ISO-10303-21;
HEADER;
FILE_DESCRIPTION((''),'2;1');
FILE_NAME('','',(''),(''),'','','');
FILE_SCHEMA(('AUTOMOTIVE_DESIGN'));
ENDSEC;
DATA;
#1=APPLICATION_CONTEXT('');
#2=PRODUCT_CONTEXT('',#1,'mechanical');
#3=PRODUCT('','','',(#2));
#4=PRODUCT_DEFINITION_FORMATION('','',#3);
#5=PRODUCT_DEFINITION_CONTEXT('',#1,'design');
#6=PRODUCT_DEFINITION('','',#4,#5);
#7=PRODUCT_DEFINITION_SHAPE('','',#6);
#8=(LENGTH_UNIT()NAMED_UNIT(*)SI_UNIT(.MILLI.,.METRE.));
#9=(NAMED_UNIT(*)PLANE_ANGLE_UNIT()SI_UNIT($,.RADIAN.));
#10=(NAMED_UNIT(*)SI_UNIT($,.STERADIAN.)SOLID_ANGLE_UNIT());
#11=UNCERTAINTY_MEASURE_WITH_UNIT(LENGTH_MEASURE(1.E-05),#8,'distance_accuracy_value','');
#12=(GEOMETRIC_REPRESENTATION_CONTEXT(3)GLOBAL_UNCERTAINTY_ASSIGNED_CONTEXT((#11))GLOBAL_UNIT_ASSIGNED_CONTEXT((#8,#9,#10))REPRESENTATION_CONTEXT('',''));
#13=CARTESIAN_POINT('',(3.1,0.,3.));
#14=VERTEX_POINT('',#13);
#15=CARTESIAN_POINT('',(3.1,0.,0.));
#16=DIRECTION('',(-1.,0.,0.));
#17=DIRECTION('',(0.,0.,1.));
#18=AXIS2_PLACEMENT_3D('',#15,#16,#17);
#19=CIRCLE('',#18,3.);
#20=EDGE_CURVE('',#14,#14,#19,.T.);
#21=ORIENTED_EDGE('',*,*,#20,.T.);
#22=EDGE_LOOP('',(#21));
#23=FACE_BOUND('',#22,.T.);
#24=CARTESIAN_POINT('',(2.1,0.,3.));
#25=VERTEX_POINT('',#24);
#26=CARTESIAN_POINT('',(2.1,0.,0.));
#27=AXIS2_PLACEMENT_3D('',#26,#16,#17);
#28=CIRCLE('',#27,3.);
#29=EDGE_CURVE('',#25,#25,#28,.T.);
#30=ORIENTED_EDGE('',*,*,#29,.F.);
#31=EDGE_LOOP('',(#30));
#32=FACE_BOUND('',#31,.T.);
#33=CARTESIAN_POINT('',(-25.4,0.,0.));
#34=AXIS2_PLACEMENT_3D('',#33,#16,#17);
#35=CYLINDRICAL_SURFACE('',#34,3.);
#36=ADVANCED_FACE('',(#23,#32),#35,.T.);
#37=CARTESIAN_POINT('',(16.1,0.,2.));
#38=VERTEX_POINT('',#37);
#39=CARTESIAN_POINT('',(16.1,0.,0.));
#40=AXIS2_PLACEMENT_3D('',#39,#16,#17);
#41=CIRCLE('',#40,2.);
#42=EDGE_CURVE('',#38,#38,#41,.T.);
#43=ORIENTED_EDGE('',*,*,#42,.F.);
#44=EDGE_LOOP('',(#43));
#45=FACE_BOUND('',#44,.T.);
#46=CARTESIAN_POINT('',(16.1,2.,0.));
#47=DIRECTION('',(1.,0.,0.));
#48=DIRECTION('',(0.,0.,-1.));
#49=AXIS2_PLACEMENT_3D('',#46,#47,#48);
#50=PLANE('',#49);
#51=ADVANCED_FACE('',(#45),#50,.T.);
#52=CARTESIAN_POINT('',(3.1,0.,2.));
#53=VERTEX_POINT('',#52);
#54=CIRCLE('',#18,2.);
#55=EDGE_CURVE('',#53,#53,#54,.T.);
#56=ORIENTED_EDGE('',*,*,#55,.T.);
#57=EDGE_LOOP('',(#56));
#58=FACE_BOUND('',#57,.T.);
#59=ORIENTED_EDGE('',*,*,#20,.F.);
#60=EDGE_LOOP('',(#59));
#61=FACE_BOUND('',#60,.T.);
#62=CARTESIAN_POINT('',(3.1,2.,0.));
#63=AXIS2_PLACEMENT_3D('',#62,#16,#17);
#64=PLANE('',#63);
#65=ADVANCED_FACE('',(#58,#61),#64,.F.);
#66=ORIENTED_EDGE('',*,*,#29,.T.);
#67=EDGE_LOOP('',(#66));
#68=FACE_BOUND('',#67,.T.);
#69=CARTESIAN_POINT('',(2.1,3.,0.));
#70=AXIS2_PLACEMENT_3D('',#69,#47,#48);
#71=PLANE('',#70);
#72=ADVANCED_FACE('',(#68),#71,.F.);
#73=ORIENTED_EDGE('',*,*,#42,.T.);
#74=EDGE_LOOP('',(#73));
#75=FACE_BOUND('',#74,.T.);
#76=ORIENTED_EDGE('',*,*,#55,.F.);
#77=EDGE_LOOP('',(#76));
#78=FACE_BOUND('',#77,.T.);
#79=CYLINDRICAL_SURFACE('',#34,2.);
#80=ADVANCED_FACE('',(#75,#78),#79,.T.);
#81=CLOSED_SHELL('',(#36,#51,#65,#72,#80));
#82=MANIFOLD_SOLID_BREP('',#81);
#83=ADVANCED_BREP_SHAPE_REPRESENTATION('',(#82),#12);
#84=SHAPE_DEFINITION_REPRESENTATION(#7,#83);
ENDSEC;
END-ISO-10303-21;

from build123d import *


with BuildPart() as part:
    # BodySke → Base-Revolve (revolve)
    with BuildSketch(Plane.XY):
        Polygon((3.1, 2), (3.1, 3), (2.1, 3), (2.1, 0), (16.1, 0), (16.1, 2), align=None)
    revolve(axis=Axis((-25.4, 0, 0), (1, 0, 0)))


solid = part.part
